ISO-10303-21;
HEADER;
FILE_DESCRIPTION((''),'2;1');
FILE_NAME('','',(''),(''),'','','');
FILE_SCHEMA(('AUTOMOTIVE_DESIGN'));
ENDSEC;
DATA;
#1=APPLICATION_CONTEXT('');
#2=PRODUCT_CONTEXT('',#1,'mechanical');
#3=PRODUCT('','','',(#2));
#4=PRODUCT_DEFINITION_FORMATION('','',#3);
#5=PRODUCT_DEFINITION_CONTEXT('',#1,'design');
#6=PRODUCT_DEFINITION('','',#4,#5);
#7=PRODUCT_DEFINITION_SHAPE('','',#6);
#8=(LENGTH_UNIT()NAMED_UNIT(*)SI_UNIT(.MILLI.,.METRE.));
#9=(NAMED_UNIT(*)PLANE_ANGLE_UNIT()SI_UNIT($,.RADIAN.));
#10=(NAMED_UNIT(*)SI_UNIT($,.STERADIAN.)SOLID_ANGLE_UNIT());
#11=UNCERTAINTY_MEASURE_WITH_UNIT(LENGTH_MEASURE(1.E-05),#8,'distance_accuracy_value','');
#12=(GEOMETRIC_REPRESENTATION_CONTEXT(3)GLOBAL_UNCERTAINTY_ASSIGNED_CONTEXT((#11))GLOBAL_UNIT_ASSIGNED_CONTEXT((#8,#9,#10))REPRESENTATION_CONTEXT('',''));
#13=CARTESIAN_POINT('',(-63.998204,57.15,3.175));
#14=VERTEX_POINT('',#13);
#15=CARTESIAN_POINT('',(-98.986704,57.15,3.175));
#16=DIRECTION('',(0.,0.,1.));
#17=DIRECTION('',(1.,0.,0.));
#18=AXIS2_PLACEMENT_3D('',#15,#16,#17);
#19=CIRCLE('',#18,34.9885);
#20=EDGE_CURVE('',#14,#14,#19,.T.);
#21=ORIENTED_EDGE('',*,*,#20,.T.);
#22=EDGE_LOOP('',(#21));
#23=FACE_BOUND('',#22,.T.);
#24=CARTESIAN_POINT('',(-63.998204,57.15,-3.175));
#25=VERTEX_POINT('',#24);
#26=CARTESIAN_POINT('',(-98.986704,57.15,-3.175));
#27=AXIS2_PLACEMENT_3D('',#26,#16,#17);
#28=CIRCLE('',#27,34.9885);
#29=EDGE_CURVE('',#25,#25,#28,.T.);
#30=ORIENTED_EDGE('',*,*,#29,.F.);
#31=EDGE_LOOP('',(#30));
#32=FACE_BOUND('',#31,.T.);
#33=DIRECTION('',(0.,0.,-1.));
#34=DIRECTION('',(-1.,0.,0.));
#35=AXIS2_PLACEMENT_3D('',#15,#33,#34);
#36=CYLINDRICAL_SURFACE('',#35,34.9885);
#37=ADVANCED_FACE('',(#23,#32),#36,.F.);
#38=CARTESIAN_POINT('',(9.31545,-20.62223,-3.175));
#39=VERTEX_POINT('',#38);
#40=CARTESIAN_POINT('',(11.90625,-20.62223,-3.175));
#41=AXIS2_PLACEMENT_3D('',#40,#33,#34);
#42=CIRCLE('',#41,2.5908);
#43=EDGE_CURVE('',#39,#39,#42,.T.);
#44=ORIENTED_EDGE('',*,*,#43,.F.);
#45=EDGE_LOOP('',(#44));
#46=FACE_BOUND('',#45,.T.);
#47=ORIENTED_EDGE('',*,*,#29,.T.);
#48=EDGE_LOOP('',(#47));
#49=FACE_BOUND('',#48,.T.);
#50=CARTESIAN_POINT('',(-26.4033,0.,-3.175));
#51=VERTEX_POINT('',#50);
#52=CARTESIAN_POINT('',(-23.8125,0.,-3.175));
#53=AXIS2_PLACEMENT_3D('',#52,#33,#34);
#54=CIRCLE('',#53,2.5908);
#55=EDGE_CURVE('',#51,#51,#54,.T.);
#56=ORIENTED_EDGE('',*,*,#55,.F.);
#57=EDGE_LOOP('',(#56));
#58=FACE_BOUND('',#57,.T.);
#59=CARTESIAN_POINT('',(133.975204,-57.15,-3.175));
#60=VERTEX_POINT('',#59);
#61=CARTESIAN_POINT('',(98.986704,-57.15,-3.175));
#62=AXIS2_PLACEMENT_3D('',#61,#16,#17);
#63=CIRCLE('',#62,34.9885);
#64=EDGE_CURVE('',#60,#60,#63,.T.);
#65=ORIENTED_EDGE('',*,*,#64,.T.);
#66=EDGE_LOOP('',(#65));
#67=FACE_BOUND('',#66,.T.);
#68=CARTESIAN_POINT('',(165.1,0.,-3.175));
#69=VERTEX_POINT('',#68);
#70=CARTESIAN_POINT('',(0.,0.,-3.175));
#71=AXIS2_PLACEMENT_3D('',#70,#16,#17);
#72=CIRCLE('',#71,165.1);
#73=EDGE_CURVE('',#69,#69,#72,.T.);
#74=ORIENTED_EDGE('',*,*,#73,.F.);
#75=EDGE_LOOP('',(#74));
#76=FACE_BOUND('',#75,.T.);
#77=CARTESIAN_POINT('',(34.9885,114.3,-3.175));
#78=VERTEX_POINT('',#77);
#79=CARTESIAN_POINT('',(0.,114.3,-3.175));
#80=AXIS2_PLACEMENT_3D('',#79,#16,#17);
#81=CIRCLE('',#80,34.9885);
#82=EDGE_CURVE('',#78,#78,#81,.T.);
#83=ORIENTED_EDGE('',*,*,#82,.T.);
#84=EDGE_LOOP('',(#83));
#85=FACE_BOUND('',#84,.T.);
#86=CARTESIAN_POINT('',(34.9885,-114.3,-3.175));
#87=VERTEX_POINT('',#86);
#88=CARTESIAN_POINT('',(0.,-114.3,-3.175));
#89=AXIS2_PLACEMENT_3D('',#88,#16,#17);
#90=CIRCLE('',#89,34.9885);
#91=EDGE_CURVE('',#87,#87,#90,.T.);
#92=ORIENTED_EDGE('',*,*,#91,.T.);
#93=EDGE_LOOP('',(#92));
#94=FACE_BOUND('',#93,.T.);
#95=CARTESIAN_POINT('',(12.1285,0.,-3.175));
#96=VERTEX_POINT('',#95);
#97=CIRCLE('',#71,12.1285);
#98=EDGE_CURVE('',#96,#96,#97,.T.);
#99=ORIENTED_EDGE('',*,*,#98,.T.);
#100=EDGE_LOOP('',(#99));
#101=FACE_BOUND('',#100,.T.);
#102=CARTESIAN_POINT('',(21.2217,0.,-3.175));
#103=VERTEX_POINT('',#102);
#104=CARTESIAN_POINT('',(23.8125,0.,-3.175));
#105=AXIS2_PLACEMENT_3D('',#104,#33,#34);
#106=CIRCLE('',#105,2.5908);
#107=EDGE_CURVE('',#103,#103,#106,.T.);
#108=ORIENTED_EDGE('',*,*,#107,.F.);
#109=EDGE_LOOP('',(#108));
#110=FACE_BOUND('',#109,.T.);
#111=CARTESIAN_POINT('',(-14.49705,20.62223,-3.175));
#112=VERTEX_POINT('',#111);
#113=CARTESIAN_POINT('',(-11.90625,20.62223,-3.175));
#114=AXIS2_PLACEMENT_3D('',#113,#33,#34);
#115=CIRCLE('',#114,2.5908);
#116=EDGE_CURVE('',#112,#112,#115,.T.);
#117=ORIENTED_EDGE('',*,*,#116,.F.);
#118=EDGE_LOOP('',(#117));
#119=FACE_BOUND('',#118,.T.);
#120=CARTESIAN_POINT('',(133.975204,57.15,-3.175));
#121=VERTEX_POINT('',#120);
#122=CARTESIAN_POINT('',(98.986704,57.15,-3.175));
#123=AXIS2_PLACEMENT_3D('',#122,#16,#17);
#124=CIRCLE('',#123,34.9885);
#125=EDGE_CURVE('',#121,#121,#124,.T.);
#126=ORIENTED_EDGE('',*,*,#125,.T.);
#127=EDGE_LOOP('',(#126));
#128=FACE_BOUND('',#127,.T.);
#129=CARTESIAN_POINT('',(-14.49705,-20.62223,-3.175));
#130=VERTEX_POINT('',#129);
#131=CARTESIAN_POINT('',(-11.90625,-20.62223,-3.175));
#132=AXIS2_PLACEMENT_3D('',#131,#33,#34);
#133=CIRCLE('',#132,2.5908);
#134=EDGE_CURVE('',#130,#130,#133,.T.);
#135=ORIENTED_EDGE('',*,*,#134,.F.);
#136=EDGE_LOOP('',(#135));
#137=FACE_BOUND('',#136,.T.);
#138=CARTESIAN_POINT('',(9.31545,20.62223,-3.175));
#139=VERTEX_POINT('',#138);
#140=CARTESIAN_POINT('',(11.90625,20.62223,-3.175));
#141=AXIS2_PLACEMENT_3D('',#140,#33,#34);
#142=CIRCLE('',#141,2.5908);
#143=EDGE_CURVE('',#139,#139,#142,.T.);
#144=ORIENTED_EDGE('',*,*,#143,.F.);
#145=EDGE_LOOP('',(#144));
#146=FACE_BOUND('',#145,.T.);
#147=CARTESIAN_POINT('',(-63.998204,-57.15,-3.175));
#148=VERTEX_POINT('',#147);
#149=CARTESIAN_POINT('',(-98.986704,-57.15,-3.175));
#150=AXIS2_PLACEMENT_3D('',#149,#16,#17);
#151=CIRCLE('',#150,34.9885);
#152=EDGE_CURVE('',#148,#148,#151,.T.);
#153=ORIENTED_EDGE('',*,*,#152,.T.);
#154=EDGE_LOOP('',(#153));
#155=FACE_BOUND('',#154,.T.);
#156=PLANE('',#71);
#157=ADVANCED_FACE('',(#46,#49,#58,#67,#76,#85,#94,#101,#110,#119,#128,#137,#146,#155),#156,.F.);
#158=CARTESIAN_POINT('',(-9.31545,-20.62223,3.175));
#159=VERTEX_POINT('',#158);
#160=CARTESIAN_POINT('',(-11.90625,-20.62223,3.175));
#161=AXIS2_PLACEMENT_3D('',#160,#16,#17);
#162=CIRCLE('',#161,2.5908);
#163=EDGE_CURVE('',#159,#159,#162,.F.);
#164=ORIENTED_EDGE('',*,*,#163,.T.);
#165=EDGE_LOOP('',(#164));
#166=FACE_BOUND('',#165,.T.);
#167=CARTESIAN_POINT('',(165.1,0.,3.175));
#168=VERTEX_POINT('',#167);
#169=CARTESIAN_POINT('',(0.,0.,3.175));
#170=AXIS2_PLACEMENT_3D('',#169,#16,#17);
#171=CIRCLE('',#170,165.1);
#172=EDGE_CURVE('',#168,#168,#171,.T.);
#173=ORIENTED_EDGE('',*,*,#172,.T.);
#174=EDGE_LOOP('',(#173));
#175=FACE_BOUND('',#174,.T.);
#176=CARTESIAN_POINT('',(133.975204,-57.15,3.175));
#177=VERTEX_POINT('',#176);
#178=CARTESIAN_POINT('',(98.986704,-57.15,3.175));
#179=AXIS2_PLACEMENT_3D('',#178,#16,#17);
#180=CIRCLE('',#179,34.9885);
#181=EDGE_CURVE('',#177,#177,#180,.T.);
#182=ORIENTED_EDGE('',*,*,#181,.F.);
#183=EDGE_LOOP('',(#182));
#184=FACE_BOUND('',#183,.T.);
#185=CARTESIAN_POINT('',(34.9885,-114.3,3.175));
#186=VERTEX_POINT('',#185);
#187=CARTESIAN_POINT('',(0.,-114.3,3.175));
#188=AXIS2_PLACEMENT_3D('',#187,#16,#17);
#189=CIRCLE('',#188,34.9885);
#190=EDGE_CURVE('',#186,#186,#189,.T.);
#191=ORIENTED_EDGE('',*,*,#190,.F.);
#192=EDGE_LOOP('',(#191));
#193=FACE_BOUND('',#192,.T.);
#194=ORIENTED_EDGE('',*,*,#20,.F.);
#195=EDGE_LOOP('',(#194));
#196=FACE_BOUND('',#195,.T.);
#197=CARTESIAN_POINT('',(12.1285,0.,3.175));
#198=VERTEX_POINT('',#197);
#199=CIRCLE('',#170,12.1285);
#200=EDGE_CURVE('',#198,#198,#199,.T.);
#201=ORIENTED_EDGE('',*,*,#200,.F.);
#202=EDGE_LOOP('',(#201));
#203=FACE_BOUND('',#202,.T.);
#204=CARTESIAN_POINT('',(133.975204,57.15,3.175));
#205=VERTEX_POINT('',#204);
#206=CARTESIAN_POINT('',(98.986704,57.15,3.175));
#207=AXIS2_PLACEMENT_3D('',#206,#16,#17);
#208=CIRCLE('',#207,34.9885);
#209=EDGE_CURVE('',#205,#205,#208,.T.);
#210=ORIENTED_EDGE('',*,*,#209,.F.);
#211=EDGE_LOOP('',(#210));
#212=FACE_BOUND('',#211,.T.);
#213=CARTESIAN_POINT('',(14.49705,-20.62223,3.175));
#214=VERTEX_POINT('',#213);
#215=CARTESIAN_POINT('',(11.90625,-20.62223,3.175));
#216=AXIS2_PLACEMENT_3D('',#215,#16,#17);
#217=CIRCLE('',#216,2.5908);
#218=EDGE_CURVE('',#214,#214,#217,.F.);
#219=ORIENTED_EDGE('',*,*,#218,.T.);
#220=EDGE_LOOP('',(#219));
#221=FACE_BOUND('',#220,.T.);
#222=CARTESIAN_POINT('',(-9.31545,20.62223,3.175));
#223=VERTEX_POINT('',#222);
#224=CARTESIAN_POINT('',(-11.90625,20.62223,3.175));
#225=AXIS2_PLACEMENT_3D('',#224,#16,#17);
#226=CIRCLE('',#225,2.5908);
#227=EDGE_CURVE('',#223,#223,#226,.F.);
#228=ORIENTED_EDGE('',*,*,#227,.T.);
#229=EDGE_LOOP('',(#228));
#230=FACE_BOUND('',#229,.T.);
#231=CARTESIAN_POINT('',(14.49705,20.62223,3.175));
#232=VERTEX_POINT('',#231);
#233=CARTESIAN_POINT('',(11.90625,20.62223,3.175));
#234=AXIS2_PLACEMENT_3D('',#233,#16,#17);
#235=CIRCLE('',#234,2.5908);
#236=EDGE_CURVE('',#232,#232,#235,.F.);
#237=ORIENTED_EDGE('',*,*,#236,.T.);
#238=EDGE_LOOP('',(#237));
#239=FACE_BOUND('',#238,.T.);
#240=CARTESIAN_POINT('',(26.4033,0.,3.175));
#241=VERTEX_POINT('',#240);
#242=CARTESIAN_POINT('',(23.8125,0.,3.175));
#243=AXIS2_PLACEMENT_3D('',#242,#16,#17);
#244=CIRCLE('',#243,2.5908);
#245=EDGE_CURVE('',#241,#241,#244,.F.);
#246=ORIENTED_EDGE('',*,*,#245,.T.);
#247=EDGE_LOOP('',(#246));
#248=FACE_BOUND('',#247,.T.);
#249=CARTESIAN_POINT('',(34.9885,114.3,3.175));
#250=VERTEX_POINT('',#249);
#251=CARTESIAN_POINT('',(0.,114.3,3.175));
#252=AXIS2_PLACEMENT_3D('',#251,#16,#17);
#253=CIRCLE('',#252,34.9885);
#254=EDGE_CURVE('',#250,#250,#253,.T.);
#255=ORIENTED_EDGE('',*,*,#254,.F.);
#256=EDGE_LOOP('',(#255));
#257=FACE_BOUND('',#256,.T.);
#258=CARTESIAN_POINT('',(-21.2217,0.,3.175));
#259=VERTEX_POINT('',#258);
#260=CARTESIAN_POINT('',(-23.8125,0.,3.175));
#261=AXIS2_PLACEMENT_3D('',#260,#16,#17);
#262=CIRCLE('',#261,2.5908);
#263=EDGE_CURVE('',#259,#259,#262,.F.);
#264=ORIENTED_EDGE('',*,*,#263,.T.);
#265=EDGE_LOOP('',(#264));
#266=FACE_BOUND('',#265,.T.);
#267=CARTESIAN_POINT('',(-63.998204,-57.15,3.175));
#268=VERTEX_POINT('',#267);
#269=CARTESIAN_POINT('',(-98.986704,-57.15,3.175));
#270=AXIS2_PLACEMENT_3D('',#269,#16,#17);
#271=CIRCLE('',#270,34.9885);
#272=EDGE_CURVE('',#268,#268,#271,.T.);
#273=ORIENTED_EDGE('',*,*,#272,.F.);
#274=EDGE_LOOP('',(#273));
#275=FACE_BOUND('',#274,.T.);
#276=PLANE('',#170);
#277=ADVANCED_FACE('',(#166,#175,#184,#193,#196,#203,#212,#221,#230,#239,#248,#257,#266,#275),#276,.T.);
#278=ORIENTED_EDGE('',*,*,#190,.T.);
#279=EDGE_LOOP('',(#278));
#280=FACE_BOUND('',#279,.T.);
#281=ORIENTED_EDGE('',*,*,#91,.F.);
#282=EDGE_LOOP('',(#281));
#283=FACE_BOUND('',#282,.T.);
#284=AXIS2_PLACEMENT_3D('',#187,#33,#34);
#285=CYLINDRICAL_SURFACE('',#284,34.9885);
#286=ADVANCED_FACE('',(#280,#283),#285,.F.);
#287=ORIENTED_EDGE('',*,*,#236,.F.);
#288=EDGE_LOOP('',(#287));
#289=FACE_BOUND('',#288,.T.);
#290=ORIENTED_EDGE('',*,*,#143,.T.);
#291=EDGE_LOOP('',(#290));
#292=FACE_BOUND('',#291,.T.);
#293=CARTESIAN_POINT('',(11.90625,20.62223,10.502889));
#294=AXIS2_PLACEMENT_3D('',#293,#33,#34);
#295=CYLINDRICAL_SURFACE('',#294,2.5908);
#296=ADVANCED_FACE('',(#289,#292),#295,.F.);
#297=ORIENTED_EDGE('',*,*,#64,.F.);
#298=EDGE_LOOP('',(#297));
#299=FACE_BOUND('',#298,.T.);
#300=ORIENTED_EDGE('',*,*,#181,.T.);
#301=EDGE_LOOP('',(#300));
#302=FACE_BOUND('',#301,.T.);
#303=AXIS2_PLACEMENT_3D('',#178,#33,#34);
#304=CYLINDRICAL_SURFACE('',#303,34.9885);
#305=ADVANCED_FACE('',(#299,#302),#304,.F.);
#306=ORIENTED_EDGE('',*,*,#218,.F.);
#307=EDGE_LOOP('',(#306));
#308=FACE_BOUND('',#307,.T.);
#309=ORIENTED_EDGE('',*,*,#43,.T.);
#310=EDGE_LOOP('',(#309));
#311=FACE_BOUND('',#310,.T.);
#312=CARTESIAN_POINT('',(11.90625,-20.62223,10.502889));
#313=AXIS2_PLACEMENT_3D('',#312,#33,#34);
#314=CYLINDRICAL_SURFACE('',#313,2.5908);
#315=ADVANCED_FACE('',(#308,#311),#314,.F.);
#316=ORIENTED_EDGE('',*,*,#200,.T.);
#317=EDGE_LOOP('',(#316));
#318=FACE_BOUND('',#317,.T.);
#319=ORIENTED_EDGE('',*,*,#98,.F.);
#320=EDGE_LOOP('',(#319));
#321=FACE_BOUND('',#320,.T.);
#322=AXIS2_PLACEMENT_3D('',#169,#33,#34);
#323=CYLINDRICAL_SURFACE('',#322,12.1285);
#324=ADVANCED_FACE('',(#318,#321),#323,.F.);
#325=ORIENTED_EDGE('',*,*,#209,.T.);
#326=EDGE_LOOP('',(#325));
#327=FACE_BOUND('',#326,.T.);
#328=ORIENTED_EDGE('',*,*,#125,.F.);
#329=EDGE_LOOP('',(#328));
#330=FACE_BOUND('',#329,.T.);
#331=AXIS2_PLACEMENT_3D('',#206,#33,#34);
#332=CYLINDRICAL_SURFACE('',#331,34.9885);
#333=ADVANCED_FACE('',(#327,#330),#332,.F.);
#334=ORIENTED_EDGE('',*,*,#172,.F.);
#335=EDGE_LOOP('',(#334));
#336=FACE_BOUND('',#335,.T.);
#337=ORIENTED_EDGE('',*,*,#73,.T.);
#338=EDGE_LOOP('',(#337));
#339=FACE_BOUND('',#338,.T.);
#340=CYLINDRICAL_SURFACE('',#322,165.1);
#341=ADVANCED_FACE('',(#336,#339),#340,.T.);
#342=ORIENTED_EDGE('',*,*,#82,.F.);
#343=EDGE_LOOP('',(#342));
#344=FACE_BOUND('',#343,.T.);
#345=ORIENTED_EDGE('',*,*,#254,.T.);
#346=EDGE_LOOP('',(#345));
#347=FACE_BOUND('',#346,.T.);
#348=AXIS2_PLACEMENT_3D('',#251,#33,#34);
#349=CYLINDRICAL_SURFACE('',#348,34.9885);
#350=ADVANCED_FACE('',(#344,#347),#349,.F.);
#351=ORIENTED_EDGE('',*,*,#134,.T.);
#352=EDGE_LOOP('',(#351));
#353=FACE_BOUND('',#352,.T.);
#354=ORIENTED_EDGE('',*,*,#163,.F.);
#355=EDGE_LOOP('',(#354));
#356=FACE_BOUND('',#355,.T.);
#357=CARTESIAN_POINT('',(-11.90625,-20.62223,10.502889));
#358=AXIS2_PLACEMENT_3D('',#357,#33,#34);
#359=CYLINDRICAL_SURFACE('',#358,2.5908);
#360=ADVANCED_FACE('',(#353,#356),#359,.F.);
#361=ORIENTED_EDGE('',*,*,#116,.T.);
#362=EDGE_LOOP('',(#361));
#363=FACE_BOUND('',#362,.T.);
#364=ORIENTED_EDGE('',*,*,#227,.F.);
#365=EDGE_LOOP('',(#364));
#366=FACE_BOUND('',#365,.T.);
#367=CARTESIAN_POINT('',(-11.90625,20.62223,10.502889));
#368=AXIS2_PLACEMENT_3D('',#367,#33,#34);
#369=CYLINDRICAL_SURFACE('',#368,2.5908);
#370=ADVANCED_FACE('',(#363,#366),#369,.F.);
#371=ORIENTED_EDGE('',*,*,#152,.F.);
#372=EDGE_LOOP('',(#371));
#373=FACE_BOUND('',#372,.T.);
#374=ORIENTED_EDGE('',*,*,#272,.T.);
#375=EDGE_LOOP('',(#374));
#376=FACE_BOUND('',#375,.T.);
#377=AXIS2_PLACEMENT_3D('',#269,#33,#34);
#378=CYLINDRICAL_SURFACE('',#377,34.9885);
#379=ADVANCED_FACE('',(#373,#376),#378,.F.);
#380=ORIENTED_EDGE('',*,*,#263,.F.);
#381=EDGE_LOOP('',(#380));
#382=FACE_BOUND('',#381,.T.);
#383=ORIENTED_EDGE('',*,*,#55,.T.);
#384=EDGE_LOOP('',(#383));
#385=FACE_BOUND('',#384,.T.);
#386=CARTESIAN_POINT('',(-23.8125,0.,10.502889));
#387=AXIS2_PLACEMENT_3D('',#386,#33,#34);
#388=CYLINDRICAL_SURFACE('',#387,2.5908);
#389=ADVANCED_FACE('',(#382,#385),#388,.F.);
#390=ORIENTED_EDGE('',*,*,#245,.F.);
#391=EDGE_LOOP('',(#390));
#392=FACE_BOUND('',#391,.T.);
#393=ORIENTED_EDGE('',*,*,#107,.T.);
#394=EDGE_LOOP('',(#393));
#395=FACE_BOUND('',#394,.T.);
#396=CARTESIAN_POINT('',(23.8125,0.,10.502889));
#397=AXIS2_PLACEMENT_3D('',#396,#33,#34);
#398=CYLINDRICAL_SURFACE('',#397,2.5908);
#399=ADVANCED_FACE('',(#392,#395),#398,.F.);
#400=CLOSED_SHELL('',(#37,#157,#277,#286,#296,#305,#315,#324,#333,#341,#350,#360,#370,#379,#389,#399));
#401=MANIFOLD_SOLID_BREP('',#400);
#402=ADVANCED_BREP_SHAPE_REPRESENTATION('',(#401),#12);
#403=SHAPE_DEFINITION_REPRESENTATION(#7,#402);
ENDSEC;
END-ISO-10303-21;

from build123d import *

# Parameters (mm, degrees)
SKETCH1_R           = 165.1
SKETCH1_R_2         = 34.9885
SKETCH1_R_3         = 12.1285
BOSS_EXTRUDE1_DEPTH = 3.175
SKETCH2_R           = 2.5908
CUT_EXTRUDE1_DEPTH  = 6.35


with BuildPart() as part:
    # Sketch1 → Boss-Extrude1 (new, symmetric)
    with BuildSketch(Plane.XY):
        Circle(SKETCH1_R)
        with Locations((0, 114.3)):
            Circle(SKETCH1_R_2, mode=Mode.SUBTRACT)
        with Locations((98.986703653, 57.15)):
            Circle(SKETCH1_R_2, mode=Mode.SUBTRACT)
        with Locations((98.986703653, -57.15)):
            Circle(SKETCH1_R_2, mode=Mode.SUBTRACT)
        with Locations((0, -114.3)):
            Circle(SKETCH1_R_2, mode=Mode.SUBTRACT)
        with Locations((-98.986703653, -57.15)):
            Circle(SKETCH1_R_2, mode=Mode.SUBTRACT)
        with Locations((-98.986703653, 57.15)):
            Circle(SKETCH1_R_2, mode=Mode.SUBTRACT)
        Circle(SKETCH1_R_3, mode=Mode.SUBTRACT)
    extrude(amount=BOSS_EXTRUDE1_DEPTH, both=True)

    # Sketch2 → Cut-Extrude1 (cut)
    with BuildSketch(Plane(origin=(0, 0, -3.175), x_dir=(-1, 0, 0), z_dir=(0, 0, -1))):
        with Locations((-23.8125, 0)):
            Circle(SKETCH2_R)
        with Locations((-11.90625, 20.622229928)):
            Circle(SKETCH2_R)
        with Locations((11.90625, 20.622229928)):
            Circle(SKETCH2_R)
        with Locations((23.8125, 0)):
            Circle(SKETCH2_R)
        with Locations((11.90625, -20.622229928)):
            Circle(SKETCH2_R)
        with Locations((-11.90625, -20.622229928)):
            Circle(SKETCH2_R)
    extrude(amount=-CUT_EXTRUDE1_DEPTH, mode=Mode.SUBTRACT)


solid = part.part
